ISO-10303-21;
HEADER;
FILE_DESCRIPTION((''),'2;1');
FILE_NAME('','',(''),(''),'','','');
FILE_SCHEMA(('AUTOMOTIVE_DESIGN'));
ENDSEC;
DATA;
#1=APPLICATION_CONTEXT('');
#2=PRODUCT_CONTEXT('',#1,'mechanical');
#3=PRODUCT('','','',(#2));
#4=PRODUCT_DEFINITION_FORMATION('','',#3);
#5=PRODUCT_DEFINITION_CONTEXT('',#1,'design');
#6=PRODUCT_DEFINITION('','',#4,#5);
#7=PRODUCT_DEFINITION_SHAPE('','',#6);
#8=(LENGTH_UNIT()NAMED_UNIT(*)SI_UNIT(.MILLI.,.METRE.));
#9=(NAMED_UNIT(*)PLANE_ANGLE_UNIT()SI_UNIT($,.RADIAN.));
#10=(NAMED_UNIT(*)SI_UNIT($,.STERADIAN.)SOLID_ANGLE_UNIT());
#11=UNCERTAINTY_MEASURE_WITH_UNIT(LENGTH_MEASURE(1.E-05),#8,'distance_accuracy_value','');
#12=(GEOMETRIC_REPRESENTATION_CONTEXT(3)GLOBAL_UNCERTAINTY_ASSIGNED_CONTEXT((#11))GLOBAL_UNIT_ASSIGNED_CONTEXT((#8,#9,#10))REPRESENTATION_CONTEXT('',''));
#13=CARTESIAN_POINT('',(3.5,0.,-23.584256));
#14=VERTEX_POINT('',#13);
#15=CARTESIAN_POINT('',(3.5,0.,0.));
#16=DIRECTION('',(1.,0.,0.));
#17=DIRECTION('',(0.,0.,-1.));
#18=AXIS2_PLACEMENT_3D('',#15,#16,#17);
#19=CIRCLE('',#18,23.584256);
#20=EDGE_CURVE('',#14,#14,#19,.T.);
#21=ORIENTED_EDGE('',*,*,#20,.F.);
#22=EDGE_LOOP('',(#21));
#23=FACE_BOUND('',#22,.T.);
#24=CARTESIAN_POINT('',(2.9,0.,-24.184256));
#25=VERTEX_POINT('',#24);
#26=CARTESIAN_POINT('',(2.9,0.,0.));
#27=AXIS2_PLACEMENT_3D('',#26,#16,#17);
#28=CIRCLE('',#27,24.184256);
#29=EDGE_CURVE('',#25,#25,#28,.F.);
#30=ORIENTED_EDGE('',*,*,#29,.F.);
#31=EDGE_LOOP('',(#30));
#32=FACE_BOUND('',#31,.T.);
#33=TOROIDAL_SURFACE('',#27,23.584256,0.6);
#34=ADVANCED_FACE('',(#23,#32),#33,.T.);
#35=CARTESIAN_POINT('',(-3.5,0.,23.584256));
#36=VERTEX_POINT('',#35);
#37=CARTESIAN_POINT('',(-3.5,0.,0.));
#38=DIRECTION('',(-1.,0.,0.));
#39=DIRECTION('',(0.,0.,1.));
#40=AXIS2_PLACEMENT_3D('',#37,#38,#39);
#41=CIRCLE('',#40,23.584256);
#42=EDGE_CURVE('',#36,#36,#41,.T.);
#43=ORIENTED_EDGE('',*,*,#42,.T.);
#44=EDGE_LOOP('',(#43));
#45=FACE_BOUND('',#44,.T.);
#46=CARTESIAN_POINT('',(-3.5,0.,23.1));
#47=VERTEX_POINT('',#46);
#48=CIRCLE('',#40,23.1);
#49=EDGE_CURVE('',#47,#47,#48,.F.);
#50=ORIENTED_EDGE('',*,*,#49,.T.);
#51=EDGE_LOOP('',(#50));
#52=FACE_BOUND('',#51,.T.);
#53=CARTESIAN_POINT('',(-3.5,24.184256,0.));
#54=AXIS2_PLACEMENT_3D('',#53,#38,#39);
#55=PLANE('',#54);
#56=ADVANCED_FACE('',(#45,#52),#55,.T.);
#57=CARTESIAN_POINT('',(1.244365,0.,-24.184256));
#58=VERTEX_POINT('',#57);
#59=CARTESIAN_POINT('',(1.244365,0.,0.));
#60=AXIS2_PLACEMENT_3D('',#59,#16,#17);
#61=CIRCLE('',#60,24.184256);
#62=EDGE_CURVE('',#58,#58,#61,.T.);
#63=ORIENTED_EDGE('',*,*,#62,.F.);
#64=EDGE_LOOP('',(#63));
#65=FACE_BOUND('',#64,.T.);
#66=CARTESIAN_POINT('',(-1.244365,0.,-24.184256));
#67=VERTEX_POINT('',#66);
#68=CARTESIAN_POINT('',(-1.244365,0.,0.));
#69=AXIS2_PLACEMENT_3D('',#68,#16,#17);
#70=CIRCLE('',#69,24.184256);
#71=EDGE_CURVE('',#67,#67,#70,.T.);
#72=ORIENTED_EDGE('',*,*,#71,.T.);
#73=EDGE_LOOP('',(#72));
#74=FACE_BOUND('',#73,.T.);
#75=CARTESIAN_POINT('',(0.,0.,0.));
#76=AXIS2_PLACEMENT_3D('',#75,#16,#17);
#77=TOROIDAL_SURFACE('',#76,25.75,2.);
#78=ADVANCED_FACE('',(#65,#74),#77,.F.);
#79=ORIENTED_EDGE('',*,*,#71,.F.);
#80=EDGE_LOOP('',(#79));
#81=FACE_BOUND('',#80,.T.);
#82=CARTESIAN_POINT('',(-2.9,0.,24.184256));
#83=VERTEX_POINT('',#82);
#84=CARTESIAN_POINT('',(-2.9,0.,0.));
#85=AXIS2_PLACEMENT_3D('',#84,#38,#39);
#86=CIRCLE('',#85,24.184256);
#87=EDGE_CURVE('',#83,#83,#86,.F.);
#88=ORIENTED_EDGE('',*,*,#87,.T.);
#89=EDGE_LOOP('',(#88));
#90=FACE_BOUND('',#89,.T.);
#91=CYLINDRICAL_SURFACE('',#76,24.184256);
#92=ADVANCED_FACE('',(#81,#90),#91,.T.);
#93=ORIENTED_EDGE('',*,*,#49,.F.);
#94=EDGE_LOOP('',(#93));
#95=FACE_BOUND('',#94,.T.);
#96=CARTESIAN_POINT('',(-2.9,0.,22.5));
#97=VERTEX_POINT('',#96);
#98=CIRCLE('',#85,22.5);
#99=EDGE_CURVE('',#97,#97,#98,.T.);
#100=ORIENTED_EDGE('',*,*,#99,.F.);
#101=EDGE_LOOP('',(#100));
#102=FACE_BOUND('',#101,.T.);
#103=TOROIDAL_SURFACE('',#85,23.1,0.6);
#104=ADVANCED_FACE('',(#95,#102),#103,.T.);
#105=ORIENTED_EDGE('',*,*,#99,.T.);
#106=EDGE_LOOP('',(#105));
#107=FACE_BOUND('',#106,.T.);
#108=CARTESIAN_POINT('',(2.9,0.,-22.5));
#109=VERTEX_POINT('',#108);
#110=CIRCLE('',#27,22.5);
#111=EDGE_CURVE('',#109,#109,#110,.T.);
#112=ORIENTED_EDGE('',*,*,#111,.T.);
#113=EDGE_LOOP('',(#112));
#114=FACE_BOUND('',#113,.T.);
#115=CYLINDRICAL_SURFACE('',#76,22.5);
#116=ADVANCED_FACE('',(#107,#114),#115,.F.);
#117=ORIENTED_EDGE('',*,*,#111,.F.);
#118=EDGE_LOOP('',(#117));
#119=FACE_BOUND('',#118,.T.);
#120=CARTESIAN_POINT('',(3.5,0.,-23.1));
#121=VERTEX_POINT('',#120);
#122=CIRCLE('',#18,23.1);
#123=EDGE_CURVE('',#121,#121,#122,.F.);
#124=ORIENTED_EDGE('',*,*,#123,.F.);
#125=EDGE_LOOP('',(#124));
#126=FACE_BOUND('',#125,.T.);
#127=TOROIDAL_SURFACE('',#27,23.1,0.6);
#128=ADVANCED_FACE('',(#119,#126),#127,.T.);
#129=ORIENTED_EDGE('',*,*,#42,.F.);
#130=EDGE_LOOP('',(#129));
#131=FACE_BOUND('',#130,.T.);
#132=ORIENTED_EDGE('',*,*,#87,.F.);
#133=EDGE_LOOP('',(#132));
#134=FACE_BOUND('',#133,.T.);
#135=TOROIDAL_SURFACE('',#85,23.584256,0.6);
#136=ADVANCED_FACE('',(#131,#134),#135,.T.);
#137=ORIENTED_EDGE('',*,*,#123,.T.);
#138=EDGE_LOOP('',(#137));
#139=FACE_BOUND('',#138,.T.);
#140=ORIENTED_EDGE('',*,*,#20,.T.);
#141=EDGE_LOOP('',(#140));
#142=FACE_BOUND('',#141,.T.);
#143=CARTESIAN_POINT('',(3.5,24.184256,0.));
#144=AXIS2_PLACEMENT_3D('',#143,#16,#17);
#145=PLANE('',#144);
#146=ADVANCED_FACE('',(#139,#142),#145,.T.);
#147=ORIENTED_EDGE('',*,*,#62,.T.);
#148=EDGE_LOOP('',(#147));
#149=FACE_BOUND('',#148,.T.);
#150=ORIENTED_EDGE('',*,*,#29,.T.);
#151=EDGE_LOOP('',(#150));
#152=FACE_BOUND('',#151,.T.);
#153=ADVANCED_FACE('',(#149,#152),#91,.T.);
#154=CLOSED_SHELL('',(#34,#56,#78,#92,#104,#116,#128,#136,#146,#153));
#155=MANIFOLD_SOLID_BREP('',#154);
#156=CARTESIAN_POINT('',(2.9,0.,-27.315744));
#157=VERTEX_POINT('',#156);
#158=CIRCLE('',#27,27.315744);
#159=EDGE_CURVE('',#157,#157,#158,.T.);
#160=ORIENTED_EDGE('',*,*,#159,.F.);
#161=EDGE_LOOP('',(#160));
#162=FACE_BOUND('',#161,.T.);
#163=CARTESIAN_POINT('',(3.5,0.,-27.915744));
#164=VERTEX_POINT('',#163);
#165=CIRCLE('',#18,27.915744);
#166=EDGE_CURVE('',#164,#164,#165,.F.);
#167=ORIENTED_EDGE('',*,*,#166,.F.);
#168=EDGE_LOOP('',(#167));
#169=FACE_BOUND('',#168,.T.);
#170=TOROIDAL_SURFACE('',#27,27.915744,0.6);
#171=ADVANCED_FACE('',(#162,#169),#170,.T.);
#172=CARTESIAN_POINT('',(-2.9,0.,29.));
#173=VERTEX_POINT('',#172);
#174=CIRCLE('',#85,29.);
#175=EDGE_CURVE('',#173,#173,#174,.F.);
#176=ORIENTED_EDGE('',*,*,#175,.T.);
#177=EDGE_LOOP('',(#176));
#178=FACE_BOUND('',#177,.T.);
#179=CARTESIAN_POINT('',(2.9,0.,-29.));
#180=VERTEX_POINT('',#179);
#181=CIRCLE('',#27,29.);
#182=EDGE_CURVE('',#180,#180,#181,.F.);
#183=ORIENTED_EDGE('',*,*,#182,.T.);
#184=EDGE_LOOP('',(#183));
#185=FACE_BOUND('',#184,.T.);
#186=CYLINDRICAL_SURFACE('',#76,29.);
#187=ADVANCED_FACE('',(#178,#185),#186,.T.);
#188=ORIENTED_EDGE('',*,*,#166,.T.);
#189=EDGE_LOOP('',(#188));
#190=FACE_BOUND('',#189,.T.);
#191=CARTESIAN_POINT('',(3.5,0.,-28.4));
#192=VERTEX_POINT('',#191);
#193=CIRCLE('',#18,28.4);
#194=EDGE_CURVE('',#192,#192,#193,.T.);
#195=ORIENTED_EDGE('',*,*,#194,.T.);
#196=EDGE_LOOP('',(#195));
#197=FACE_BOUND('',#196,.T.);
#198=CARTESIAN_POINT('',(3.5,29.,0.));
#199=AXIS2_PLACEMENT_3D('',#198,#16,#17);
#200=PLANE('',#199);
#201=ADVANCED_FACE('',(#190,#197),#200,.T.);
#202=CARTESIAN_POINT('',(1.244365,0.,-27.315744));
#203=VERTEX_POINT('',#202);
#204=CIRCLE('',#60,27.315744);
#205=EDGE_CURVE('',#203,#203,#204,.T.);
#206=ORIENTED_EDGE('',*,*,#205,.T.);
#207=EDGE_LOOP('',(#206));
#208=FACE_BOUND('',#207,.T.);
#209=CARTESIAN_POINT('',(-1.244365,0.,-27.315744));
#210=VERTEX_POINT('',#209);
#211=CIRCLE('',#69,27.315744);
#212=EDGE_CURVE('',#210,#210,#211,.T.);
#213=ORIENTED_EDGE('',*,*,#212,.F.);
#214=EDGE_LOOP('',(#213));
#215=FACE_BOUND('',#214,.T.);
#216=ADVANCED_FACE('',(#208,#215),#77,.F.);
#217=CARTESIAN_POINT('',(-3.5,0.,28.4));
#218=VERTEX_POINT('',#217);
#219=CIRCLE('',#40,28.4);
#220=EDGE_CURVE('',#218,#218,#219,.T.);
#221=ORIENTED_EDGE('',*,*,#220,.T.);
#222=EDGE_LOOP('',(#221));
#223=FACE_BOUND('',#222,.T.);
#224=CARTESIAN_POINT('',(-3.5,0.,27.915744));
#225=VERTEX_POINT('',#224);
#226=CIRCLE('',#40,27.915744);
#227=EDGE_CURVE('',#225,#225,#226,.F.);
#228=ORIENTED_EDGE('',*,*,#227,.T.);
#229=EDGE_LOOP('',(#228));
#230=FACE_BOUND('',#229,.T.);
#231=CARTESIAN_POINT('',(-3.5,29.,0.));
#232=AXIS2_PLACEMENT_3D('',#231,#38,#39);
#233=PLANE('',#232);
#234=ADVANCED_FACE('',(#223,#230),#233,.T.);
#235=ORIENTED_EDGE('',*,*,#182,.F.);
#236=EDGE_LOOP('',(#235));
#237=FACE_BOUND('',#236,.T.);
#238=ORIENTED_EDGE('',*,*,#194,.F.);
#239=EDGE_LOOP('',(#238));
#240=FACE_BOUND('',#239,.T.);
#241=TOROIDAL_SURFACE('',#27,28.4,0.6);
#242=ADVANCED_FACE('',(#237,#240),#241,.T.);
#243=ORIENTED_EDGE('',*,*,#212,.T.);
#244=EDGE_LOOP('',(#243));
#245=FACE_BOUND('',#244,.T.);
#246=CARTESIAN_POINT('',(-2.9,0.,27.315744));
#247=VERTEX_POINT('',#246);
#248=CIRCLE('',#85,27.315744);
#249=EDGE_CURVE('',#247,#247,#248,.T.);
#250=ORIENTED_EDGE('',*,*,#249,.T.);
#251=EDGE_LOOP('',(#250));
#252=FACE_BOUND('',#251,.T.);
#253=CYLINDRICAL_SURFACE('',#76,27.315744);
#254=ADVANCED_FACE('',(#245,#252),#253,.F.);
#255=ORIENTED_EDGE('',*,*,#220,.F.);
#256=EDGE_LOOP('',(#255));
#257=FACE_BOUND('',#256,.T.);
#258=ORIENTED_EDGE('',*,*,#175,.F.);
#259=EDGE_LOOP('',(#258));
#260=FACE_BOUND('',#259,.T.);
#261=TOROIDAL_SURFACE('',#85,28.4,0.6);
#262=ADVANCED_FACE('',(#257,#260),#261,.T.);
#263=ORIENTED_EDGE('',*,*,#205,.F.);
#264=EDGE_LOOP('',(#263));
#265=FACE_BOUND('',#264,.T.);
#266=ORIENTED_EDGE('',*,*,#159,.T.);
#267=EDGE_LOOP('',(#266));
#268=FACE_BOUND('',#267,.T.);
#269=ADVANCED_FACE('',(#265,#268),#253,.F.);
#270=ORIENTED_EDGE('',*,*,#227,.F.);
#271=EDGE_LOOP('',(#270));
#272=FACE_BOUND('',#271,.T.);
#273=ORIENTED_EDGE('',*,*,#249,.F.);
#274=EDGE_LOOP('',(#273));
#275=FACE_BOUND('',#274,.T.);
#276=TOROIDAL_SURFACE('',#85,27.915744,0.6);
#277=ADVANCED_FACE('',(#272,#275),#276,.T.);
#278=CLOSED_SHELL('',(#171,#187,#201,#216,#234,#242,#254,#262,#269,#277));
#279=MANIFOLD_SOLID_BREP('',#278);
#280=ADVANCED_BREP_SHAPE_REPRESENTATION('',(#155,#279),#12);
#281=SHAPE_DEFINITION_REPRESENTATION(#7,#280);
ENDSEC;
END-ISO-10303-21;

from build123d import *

# Parameters (mm, degrees)
FILLET1_R = 0.6
FILLET2_R = 0.6
FILLET3_R = 0.6


with BuildPart() as part:
    # Sketch1 → Revolve1 (revolve)
    with BuildSketch(Plane.XY, mode=Mode.PRIVATE) as revolve1_sk:
        with BuildLine():
            Line((-3.5, 29), (3.5, 29))
            Line((3.5, 29), (3.5, 27.315744302))
            Line((3.5, 27.315744302), (1.244365212, 27.315744302))
            ThreePointArc((1.244365212, 27.315744302), (0, 27.75), (-1.244365212, 27.315744302))
            Line((-1.244365212, 27.315744302), (-3.5, 27.315744302))
            Line((-3.5, 27.315744302), (-3.5, 29))
        make_face()
        with BuildLine():
            Line((-3.5, 22.5), (3.5, 22.5))
            Line((3.5, 22.5), (3.5, 24.184255698))
            Line((3.5, 24.184255698), (1.244365212, 24.184255698))
            ThreePointArc((1.244365212, 24.184255698), (0, 23.75), (-1.244365212, 24.184255698))
            Line((-1.244365212, 24.184255698), (-3.5, 24.184255698))
            Line((-3.5, 24.184255698), (-3.5, 22.5))
        make_face()
    revolve(revolve1_sk.sketch.rotate(Axis((0, 0, 0), (-1, 0, 0)), 90), axis=Axis((0, 0, 0), (-1, 0, 0)))

    # Fillet1
    fillet1_edges = [part.edges().sort_by_distance(p)[0] for p in [
        (3.5, 0, 29),
        (3.5, 0, 27.315744302),
        (-3.5, 0, 27.315744302),
    ]]
    fillet(fillet1_edges, radius=FILLET1_R)

    # Fillet2
    fillet2_edges = [part.edges().sort_by_distance(p)[0] for p in [
        (-3.5, 0, 29),
    ]]
    fillet(fillet2_edges, radius=FILLET2_R)

    # Fillet3
    fillet3_edges = [part.edges().sort_by_distance(p)[0] for p in [
        (3.5, 0, 22.5),
        (-3.5, 0, 22.5),
        (-3.5, 0, 24.184255698),
        (3.5, 0, 24.184255698),
    ]]
    fillet(fillet3_edges, radius=FILLET3_R)


solid = part.part
